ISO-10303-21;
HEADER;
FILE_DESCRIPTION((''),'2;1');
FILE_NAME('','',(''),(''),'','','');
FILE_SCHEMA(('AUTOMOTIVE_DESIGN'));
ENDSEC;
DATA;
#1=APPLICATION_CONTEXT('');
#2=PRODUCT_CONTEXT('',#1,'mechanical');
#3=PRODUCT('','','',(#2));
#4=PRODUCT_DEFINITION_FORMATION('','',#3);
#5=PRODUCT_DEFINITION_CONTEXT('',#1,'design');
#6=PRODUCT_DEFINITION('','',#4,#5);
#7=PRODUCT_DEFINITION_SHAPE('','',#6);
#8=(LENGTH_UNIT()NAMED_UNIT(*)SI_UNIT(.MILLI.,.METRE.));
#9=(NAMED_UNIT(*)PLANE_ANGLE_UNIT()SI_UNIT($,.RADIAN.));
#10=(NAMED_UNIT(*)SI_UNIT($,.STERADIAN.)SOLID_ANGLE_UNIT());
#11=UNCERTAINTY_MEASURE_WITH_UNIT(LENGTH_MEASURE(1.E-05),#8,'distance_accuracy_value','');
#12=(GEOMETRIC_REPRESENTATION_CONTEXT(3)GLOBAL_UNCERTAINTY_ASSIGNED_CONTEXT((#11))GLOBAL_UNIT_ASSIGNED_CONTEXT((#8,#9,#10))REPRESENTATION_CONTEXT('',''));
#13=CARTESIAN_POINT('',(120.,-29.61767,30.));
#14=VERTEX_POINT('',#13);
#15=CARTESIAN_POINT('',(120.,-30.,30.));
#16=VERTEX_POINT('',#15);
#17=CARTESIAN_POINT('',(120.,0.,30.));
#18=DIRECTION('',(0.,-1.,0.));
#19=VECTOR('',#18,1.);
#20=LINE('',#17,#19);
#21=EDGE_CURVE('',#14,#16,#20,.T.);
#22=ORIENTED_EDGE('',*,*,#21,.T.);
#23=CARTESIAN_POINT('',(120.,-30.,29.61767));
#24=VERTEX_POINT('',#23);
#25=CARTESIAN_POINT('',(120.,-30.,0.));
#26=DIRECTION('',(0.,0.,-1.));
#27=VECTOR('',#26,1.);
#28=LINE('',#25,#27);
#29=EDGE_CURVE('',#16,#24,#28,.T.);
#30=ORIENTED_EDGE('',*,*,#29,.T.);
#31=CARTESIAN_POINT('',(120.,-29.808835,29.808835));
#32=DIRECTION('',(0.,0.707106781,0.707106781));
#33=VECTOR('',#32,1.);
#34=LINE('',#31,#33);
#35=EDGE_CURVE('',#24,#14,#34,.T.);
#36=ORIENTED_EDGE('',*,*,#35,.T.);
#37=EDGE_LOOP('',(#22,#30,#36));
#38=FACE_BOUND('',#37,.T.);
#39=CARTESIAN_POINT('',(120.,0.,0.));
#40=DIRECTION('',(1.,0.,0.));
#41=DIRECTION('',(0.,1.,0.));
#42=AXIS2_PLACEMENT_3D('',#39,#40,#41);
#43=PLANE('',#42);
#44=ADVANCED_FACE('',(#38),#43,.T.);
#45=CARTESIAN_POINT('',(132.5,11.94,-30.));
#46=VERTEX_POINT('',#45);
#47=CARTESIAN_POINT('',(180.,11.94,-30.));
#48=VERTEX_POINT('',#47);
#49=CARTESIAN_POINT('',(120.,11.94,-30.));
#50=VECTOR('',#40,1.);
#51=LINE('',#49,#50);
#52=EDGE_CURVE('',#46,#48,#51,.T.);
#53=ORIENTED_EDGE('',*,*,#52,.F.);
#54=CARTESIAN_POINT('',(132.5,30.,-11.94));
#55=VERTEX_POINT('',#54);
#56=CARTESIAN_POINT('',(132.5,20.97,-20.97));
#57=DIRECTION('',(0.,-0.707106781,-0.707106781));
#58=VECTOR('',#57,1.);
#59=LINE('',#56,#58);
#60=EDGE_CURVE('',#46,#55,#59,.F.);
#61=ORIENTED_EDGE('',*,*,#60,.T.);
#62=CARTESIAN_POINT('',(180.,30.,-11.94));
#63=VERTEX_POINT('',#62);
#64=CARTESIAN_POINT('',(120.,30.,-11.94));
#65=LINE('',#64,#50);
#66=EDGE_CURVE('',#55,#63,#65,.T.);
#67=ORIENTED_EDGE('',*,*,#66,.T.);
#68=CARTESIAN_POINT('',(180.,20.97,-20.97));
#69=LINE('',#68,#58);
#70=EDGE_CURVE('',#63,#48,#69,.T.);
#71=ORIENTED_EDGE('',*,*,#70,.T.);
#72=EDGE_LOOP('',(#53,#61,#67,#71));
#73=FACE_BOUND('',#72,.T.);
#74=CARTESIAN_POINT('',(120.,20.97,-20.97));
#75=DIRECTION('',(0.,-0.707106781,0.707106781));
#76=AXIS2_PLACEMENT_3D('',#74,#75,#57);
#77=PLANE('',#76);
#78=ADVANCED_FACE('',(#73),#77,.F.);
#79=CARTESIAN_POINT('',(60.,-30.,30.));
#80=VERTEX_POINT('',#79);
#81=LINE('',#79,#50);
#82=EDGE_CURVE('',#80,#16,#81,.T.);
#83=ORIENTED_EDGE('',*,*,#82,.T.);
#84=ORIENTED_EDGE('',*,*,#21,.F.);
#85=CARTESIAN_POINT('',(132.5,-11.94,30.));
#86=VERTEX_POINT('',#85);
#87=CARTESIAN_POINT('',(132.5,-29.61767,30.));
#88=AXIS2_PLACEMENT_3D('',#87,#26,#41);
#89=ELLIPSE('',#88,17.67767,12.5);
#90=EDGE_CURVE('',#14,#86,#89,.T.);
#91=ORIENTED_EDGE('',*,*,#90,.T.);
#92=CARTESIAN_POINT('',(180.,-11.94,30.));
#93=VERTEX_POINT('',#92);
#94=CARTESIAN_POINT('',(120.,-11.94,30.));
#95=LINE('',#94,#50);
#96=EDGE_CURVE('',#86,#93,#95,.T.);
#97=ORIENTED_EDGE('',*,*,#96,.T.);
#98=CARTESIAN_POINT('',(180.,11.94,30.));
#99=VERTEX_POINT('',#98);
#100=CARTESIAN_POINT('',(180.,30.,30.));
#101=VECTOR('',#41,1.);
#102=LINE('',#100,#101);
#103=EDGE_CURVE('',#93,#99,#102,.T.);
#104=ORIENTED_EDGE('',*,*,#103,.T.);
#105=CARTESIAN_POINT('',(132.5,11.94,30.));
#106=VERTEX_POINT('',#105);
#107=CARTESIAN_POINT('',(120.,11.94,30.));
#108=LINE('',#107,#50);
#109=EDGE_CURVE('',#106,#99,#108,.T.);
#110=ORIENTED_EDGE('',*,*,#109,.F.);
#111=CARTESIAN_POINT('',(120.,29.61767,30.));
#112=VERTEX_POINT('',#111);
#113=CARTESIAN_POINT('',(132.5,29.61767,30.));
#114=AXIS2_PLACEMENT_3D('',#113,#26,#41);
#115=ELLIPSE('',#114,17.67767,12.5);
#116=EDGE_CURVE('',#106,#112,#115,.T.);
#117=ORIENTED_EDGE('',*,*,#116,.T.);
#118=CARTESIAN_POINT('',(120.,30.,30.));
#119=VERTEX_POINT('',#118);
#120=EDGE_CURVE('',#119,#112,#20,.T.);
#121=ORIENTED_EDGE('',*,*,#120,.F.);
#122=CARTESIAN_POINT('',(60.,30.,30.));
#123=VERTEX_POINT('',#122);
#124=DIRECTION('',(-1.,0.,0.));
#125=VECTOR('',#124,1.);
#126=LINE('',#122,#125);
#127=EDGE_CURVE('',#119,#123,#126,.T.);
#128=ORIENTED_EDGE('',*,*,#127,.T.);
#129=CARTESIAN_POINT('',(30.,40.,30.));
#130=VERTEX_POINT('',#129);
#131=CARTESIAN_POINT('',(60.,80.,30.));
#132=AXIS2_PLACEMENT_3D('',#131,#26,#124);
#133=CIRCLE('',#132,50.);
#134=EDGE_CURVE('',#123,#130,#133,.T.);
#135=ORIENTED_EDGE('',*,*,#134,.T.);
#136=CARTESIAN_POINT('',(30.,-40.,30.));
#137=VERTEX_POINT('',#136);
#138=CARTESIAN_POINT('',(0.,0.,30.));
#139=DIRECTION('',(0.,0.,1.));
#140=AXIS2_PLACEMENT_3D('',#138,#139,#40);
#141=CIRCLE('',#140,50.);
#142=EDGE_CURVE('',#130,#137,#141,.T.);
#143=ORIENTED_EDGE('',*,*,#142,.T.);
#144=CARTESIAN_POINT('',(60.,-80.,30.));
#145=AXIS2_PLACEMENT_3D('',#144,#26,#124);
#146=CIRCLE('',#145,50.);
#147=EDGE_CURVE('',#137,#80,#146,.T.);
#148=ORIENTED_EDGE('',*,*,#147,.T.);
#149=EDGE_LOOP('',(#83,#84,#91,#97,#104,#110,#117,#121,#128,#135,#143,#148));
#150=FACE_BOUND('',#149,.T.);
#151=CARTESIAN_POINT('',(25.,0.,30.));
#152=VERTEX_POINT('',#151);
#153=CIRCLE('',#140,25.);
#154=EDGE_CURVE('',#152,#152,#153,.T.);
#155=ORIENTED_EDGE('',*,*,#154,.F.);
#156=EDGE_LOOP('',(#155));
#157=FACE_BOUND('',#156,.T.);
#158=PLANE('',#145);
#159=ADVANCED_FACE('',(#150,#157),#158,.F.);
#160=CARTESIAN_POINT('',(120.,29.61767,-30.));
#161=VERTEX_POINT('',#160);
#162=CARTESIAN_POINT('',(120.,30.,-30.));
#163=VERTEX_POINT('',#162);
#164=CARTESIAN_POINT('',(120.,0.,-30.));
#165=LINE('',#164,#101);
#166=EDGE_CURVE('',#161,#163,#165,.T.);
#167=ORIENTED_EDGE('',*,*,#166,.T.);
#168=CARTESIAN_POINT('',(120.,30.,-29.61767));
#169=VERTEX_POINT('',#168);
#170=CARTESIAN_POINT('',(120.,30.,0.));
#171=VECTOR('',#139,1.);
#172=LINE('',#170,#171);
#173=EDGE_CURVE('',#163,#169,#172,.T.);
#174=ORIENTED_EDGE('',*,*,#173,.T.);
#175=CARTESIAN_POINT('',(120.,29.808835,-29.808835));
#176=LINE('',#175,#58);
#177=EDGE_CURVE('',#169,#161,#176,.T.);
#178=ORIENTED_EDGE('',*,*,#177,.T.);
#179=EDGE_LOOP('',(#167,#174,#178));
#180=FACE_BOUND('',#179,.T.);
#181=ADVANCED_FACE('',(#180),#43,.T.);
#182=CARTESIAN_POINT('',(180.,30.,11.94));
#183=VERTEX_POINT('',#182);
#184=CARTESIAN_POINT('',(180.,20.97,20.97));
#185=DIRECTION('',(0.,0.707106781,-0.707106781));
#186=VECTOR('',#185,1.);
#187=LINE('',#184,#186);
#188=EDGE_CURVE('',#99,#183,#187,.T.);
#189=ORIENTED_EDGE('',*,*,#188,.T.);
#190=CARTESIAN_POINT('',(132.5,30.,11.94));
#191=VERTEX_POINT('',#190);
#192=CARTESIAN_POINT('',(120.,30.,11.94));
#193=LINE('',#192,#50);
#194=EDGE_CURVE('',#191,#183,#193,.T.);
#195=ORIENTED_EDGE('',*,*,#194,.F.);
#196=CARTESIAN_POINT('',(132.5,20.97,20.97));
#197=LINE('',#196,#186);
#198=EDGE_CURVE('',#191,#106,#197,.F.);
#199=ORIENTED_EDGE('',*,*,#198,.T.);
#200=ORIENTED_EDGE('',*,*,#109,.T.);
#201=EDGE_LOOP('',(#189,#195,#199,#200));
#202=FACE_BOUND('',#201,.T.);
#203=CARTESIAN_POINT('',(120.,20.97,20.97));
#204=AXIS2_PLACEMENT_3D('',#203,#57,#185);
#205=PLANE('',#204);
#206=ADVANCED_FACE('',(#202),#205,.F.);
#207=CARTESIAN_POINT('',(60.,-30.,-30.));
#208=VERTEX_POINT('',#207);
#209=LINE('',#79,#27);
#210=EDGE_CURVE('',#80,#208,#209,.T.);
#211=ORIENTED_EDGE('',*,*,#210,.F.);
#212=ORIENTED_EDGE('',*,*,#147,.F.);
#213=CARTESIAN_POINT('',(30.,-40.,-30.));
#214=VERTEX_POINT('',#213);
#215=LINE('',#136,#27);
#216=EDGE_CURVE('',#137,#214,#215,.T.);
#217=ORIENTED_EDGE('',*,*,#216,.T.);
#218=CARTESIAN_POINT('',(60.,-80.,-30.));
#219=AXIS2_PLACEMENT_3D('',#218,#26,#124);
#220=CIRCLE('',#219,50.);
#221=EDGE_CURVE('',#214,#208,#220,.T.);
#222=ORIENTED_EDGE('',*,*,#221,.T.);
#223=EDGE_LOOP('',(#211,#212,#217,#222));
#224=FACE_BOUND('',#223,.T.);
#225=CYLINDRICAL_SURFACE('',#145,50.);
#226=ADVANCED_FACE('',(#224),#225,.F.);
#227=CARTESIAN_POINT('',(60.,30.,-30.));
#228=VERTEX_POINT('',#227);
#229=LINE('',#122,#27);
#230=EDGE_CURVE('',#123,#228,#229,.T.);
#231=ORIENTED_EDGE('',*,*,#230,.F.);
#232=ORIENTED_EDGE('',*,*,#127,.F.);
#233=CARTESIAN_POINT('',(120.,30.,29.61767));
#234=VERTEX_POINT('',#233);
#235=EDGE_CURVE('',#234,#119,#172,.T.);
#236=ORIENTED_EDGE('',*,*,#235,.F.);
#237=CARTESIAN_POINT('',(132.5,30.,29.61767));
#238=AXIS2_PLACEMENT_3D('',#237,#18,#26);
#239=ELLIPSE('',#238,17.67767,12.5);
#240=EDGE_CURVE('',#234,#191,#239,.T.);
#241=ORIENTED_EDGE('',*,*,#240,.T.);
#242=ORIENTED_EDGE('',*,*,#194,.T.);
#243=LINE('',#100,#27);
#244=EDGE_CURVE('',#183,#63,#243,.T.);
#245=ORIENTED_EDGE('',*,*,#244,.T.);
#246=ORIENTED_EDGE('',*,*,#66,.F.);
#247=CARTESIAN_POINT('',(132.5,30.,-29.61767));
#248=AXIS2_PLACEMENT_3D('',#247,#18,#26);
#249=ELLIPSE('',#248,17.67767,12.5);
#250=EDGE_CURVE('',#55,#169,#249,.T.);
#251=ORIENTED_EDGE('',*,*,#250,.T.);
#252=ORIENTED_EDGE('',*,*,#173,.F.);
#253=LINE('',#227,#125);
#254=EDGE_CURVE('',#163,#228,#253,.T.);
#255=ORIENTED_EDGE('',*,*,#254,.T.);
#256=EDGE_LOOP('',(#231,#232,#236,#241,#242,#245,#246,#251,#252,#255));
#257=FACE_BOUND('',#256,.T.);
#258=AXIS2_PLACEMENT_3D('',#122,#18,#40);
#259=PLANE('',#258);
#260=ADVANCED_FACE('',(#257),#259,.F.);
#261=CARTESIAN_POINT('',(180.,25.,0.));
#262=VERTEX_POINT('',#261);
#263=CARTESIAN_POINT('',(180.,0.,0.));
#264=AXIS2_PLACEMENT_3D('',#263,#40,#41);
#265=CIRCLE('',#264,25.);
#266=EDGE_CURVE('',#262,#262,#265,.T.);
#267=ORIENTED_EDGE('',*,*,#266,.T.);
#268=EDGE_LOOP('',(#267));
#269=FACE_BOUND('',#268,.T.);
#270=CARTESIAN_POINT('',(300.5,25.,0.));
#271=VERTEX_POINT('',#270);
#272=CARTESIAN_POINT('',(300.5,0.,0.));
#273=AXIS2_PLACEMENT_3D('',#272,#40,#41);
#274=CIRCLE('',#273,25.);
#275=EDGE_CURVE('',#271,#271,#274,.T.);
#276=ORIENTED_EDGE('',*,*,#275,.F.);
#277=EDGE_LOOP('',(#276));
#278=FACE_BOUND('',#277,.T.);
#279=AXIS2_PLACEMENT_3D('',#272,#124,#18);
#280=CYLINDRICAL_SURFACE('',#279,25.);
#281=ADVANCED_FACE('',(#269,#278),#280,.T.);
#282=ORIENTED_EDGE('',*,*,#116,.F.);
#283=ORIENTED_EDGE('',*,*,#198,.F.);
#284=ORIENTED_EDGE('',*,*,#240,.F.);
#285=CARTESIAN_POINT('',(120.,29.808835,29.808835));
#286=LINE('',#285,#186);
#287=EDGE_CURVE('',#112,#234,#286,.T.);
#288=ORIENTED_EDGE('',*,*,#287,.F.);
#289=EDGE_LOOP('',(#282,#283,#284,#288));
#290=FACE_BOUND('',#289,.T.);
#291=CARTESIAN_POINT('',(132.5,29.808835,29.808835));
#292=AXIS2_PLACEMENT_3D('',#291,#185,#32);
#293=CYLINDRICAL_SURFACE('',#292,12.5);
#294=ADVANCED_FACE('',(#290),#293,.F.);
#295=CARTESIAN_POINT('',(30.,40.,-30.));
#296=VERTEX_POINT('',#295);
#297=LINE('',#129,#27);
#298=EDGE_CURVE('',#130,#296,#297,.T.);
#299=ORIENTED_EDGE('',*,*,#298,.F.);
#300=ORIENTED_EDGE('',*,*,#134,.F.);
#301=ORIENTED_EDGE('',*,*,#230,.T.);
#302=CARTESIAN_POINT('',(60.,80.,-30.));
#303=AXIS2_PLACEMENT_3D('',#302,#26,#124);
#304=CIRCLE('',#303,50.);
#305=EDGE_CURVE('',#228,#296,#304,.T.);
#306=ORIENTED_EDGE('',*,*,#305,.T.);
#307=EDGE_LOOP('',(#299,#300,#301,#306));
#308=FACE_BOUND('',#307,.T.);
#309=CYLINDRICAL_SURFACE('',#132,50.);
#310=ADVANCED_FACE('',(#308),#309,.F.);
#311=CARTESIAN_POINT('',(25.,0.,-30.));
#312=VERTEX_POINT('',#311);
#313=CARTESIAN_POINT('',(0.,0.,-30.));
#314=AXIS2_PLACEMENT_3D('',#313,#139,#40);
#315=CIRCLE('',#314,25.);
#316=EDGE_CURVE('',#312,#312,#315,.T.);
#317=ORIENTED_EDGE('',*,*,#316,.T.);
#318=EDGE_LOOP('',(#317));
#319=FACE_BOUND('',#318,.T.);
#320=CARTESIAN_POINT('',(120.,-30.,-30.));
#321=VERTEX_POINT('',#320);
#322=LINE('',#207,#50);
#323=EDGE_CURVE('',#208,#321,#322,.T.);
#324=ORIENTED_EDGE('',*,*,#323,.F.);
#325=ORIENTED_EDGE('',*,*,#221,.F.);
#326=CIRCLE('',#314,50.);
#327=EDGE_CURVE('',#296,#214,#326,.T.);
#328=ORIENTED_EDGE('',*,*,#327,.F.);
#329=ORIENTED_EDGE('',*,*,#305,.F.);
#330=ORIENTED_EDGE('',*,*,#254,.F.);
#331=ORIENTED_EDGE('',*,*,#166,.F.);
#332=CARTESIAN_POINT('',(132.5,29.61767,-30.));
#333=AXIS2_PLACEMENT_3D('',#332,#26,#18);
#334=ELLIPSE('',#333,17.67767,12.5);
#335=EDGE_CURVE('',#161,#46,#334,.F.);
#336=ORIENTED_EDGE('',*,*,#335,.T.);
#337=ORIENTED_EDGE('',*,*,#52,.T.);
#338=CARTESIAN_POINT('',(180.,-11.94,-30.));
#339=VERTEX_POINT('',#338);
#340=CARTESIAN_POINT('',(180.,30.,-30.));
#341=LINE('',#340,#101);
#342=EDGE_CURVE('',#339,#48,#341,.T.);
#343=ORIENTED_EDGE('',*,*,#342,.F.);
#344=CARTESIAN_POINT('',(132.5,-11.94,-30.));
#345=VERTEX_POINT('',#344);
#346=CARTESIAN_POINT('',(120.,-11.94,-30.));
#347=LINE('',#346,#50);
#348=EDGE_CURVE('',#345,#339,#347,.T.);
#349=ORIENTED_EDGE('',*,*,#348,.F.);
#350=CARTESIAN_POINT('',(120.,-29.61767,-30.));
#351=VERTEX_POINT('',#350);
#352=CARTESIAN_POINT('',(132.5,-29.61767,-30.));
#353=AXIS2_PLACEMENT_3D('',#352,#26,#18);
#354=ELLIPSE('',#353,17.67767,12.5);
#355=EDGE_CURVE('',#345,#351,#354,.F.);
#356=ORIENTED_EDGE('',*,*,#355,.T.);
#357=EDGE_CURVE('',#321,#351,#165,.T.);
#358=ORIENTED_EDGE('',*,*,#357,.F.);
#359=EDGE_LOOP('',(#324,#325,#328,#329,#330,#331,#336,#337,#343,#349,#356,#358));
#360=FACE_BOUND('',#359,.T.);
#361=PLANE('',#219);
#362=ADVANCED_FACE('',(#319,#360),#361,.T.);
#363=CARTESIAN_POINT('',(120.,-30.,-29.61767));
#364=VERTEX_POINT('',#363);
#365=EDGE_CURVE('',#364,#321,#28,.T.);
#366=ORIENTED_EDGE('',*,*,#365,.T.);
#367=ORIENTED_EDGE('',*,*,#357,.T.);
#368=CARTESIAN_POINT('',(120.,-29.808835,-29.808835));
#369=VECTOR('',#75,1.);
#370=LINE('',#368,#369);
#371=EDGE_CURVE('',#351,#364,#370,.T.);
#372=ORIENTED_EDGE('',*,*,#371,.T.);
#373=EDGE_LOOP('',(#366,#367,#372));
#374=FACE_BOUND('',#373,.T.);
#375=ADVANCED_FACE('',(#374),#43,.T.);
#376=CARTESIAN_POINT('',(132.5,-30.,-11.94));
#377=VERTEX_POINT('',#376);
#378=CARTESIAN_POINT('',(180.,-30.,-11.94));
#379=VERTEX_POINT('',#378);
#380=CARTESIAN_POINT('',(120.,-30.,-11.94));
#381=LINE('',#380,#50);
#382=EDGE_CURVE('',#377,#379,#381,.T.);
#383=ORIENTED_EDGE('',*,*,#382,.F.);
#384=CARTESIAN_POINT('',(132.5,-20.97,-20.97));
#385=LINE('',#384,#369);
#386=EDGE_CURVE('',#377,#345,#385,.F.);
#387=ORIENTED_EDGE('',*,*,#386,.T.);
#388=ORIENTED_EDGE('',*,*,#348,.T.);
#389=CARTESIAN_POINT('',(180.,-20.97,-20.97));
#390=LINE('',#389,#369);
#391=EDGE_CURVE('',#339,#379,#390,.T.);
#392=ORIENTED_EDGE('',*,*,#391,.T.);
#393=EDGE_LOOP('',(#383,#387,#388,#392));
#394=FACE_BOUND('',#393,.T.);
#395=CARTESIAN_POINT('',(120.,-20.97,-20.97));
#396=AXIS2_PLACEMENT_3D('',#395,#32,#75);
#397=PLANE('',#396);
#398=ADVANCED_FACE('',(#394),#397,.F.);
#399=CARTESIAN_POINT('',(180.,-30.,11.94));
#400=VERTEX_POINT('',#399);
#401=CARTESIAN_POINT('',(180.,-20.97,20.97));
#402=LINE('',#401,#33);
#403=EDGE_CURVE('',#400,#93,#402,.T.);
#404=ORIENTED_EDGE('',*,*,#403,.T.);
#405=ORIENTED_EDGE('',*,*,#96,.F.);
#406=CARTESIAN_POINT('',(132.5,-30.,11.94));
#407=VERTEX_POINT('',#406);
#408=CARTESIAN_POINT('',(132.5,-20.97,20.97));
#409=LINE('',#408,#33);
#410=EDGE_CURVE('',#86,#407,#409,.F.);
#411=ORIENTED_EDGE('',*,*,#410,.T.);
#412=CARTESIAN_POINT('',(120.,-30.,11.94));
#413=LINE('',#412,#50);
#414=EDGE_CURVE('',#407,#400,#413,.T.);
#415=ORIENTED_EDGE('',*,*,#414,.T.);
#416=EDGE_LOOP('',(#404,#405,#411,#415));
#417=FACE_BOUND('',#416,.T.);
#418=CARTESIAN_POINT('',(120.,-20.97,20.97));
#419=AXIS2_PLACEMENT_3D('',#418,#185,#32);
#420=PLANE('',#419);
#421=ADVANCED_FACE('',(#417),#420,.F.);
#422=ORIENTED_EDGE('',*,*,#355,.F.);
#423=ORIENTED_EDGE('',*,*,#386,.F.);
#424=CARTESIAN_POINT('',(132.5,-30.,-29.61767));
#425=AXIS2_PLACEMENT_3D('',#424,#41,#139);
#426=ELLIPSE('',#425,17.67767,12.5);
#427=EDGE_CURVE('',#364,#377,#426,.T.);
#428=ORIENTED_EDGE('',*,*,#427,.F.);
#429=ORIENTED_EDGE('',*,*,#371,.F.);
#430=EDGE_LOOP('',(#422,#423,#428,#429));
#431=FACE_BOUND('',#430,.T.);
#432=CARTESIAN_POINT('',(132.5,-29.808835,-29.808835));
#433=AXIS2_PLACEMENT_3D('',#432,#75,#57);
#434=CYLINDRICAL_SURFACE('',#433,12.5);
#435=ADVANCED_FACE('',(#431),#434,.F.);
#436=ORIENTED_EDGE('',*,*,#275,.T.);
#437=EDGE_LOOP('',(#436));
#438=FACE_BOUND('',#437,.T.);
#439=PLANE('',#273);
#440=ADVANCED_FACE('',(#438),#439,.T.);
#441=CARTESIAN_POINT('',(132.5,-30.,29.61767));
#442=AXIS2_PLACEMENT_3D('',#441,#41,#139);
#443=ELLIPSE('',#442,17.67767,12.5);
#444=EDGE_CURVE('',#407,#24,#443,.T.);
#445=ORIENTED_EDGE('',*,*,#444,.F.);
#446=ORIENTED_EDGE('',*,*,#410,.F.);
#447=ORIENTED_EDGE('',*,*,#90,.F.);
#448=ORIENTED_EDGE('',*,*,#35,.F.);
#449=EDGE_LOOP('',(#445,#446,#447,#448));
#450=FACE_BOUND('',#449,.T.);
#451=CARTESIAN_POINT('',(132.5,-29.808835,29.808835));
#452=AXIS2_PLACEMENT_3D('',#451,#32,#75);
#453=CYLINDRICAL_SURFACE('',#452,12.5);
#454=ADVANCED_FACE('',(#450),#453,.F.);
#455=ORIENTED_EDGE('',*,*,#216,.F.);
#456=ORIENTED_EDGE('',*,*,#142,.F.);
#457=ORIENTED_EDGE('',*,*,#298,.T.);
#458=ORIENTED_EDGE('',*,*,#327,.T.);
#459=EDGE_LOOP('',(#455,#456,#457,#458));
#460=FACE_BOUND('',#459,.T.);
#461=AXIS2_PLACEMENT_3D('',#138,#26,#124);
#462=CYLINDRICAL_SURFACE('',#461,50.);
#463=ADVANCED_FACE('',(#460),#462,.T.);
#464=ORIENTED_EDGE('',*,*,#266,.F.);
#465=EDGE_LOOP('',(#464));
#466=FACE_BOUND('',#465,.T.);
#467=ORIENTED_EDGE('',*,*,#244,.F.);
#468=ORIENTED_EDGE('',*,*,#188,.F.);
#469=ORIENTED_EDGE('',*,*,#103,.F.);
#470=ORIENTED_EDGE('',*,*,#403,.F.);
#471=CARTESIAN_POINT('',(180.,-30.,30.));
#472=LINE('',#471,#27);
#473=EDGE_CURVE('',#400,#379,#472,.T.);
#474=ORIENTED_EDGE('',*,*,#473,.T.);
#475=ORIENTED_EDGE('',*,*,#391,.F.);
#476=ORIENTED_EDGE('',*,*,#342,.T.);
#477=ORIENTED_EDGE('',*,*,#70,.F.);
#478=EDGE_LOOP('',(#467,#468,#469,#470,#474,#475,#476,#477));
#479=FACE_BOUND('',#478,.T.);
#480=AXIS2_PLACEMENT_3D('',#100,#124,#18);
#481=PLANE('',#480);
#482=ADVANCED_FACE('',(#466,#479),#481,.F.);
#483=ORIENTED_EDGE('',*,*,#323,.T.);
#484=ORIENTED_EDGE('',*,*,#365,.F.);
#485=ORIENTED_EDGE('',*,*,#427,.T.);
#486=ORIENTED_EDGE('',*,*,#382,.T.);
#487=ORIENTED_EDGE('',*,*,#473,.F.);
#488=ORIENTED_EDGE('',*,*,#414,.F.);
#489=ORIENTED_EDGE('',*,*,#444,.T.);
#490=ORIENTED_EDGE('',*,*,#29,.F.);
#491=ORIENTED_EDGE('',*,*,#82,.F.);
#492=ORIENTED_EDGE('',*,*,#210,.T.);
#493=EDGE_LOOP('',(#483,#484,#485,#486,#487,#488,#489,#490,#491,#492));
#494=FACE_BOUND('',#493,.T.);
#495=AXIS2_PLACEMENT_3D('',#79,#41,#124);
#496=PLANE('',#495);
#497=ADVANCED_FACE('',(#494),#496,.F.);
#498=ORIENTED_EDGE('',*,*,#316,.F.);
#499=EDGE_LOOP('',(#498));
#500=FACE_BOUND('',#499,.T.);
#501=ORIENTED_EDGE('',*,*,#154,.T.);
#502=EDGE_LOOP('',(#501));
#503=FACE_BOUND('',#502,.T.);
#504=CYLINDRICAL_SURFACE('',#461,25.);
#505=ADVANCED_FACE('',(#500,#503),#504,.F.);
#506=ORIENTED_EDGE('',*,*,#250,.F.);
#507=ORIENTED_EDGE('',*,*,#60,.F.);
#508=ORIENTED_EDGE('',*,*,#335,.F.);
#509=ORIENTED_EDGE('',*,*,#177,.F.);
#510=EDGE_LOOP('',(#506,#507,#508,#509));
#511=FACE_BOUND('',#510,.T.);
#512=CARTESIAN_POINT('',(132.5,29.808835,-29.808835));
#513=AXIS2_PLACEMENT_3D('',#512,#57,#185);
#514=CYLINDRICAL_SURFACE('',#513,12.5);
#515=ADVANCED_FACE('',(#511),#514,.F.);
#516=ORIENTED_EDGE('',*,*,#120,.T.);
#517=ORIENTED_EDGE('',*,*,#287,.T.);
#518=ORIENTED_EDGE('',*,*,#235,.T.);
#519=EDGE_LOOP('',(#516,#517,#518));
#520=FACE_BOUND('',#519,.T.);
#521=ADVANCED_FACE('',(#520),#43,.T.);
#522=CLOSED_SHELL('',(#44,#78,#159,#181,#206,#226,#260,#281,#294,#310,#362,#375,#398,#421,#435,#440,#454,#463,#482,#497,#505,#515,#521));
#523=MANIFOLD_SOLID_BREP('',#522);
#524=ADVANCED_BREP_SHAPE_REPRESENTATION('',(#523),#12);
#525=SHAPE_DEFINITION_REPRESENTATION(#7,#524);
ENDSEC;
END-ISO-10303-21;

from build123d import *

# Parameters (mm, degrees)
SKETCH1_R           = 25
BOSS_EXTRUDE1_DEPTH = 30
CUT_EXTRUDE1_DEPTH  = 60
SKETCH2_3_R         = 25
BOSS_EXTRUDE2_DEPTH = 120.5
FILLET1_R           = 12.5


with BuildPart() as part:
    # Sketch1 → Boss-Extrude1 (new, symmetric)
    with BuildSketch(Plane.XY):
        with BuildLine():
            Line((60, 30), (180, 30))
            Line((180, 30), (180, -30))
            Line((180, -30), (60, -30))
            ThreePointArc((60, -30), (44.188611699, -32.565835097), (30, -40))
            ThreePointArc((30, -40), (-50, 0), (30, 40))
            ThreePointArc((30, 40), (44.188611699, 32.565835097), (60, 30))
        make_face()
        Circle(SKETCH1_R, mode=Mode.SUBTRACT)
    extrude(amount=BOSS_EXTRUDE1_DEPTH, both=True)

    # Sketch2 → Cut-Extrude1 (cut)
    with BuildSketch(Plane(origin=(180, 0, 0), x_dir=(0, 0, -1), z_dir=(1, 0, 0))):
        Polygon((11.94, 30), (30, 11.94), (30, 30), align=None)
        Polygon((30, -30), (30, -11.94), (11.94, -30), align=None)
        Polygon((-30, 11.94), (-11.94, 30), (-30, 30), align=None)
        Polygon((-30, -30), (-11.94, -30), (-30, -11.94), align=None)
    extrude(amount=-CUT_EXTRUDE1_DEPTH, mode=Mode.SUBTRACT)

    # Sketch2<3> → Boss-Extrude2 (add)
    with BuildSketch(Plane(origin=(180, 0, 0), x_dir=(0, 0, -1), z_dir=(1, 0, 0))):
        Circle(SKETCH2_3_R)
    extrude(amount=BOSS_EXTRUDE2_DEPTH)

    # Fillet1
    fillet1_edges = [part.edges().sort_by_distance(p)[0] for p in [
        (120, -20.97, -20.97),
        (120, 20.97, -20.97),
        (120, -20.97, 20.97),
        (120, 20.97, 20.97),
    ]]
    fillet(fillet1_edges, radius=FILLET1_R)


solid = part.part
